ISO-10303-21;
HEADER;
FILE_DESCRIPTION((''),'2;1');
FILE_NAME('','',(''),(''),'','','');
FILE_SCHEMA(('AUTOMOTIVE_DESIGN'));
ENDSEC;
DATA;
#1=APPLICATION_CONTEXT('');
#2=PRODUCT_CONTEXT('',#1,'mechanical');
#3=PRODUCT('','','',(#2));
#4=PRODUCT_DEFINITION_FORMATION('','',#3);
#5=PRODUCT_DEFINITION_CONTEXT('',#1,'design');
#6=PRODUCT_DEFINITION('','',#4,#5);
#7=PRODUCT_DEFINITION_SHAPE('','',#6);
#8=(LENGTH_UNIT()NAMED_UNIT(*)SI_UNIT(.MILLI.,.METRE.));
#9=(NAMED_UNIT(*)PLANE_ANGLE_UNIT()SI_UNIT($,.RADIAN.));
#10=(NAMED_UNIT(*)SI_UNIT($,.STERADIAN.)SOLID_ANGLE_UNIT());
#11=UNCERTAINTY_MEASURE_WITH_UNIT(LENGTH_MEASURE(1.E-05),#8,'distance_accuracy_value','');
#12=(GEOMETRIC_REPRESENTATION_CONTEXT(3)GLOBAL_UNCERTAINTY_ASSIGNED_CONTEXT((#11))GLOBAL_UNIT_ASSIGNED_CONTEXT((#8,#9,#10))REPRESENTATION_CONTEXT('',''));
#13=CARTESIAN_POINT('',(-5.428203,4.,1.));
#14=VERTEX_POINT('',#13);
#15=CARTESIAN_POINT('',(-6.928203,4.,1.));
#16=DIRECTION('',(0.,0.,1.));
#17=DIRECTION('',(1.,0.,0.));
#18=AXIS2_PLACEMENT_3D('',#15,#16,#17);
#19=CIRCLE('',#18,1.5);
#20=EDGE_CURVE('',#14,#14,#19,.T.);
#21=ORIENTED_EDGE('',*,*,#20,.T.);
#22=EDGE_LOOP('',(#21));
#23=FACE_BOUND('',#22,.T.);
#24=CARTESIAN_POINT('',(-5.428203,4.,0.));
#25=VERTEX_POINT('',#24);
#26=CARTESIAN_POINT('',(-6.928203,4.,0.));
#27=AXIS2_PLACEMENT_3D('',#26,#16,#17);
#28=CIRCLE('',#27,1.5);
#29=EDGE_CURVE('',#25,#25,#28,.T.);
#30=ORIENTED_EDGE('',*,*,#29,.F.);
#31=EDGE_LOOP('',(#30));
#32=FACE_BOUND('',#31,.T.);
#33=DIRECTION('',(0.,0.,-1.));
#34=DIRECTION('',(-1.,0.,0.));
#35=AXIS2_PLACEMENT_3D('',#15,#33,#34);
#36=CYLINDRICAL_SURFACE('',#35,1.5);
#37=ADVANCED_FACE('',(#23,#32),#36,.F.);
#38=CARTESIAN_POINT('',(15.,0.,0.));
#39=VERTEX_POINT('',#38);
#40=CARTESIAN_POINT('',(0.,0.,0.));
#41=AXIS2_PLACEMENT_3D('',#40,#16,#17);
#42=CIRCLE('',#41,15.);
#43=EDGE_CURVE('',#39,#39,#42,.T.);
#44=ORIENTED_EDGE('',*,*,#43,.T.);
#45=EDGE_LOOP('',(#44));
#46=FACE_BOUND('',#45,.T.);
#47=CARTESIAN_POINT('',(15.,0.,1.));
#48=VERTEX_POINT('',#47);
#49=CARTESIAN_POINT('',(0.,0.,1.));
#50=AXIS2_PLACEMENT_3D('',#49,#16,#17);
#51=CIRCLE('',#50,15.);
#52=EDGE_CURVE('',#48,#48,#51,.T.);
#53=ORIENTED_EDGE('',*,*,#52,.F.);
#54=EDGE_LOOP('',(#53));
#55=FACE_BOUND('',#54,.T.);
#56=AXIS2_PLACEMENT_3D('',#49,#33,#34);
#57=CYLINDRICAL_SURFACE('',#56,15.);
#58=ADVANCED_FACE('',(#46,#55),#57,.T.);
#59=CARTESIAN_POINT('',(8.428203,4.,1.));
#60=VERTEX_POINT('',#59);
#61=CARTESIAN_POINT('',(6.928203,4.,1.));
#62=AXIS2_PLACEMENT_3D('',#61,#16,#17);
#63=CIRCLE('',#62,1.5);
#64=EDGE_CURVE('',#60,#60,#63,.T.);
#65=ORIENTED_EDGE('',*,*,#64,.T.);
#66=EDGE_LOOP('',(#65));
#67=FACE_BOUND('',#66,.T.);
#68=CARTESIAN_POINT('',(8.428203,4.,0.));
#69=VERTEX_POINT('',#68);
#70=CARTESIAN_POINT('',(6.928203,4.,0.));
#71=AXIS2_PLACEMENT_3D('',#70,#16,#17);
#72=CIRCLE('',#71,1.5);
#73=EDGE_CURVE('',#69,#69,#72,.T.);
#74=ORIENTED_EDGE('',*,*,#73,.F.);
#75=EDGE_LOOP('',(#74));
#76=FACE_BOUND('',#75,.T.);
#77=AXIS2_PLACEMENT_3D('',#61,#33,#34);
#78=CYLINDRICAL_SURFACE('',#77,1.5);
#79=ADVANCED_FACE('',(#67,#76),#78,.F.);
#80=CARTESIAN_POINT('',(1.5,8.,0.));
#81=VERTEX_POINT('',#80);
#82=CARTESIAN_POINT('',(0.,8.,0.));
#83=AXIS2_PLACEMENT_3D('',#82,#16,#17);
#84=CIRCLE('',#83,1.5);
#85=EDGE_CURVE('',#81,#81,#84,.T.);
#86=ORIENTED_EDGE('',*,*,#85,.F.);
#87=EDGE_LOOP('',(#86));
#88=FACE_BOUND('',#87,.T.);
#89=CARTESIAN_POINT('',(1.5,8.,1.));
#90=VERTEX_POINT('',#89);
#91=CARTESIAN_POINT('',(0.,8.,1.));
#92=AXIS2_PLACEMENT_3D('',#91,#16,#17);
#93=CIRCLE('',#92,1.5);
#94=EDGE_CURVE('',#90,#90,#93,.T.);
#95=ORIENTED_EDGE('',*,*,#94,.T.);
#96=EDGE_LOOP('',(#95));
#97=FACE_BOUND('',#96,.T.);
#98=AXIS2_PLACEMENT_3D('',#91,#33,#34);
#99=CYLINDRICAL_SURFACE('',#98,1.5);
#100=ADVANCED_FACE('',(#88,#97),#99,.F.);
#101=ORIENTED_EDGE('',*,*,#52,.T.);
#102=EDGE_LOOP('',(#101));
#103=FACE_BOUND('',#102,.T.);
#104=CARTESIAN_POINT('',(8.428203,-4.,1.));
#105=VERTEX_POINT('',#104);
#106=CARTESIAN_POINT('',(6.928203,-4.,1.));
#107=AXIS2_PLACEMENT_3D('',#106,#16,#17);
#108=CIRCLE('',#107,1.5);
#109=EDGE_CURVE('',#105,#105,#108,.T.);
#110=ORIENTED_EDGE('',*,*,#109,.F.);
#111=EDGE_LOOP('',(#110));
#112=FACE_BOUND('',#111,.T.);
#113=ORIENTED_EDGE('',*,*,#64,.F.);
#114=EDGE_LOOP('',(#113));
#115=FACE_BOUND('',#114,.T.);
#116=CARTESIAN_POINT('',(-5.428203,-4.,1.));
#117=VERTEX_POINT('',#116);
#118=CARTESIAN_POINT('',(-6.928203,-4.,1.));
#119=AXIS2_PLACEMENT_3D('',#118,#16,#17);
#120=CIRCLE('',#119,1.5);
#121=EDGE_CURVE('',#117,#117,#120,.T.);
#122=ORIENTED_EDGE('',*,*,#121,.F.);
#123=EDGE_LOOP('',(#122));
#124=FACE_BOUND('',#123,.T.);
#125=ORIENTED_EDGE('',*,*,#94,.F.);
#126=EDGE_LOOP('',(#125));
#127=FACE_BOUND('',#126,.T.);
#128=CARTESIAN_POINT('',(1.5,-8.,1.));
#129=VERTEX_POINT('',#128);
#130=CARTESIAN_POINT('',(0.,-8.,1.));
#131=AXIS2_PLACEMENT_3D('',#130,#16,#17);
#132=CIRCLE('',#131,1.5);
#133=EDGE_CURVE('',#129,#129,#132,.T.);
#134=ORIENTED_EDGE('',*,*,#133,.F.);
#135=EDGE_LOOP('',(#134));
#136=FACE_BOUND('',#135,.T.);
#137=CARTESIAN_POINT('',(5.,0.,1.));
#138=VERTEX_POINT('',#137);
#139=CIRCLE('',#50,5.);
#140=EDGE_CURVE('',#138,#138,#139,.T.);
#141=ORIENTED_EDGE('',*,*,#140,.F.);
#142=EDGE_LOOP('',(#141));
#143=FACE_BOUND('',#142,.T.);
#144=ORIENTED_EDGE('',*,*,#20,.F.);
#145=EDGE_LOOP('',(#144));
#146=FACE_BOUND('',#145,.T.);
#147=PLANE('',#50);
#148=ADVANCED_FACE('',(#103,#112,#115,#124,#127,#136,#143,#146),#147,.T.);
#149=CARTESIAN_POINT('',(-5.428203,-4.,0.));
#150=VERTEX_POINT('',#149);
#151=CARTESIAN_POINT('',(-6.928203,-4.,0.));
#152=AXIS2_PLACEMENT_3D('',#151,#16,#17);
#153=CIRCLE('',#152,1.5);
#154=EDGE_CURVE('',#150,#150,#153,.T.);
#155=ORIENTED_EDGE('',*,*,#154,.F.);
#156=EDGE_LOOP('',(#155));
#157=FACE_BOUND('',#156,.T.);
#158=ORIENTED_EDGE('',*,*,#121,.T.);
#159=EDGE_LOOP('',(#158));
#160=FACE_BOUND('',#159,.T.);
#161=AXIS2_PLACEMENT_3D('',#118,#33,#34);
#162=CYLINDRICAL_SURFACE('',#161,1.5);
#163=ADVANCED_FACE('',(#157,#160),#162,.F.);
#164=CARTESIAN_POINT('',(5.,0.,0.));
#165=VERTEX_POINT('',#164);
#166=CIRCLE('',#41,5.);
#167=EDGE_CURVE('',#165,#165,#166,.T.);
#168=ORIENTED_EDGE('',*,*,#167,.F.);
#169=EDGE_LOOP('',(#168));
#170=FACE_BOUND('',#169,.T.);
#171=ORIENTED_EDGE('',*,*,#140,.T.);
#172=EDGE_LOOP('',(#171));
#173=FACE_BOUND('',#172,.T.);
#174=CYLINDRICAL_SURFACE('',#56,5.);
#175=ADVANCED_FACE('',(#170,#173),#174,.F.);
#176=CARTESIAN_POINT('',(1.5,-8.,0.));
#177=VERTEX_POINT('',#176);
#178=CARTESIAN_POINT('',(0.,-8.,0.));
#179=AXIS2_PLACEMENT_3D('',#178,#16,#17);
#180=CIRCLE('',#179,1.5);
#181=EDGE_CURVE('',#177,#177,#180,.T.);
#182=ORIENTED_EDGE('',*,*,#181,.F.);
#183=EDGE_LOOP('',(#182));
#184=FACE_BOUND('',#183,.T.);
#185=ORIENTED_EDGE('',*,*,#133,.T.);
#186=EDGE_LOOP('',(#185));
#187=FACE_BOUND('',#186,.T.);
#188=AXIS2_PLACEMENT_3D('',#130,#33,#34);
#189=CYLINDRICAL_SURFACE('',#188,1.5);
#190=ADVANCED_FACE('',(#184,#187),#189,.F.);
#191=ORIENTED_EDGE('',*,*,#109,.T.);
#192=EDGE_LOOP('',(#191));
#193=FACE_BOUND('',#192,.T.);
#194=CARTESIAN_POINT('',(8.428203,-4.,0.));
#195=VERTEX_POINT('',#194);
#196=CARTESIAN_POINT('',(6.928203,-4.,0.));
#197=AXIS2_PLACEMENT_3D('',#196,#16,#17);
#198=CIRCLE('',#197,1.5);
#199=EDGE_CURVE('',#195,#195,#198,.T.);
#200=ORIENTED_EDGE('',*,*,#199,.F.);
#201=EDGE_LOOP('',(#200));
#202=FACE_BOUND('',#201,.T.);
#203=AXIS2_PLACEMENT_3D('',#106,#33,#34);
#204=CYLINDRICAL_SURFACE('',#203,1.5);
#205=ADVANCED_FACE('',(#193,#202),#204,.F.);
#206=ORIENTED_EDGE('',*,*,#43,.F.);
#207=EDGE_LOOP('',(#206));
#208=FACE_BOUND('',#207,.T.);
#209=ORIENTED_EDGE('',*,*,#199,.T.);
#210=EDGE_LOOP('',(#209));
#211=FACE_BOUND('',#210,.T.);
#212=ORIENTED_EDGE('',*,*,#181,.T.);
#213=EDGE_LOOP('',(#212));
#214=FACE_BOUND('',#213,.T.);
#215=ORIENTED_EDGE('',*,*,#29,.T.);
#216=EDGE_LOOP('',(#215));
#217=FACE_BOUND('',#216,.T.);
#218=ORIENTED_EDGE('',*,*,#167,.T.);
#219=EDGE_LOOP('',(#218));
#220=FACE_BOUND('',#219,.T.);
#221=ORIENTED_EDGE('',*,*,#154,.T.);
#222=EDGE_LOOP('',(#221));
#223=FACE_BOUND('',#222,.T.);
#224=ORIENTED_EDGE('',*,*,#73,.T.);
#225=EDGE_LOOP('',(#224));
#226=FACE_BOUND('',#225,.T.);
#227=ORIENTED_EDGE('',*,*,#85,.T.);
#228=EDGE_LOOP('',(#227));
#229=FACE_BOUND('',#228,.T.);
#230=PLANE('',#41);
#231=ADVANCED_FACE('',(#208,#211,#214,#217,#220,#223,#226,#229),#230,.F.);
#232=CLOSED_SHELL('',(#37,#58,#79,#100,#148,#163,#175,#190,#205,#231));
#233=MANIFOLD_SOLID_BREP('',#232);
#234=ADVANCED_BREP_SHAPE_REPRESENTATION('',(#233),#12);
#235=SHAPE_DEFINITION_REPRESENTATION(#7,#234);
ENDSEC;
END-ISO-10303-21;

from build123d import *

# Parameters (mm, degrees)
SKETCH_1_R      = 15
SKETCH_1_R_2    = 1.5
SKETCH_1_R_3    = 5
EXTRUDE_1_DEPTH = 1


with BuildPart() as part:
    # 草图1 → 凸台-拉伸1 (new body)
    with BuildSketch(Plane.XY):
        Circle(SKETCH_1_R)
        with Locations((0, 8)):
            Circle(SKETCH_1_R_2, mode=Mode.SUBTRACT)
        with Locations((6.92820323, 4)):
            Circle(SKETCH_1_R_2, mode=Mode.SUBTRACT)
        with Locations((6.92820323, -4)):
            Circle(SKETCH_1_R_2, mode=Mode.SUBTRACT)
        with Locations((0, -8)):
            Circle(SKETCH_1_R_2, mode=Mode.SUBTRACT)
        with Locations((-6.92820323, -4)):
            Circle(SKETCH_1_R_2, mode=Mode.SUBTRACT)
        with Locations((-6.92820323, 4)):
            Circle(SKETCH_1_R_2, mode=Mode.SUBTRACT)
        Circle(SKETCH_1_R_3, mode=Mode.SUBTRACT)
    extrude(amount=EXTRUDE_1_DEPTH)


solid = part.part
